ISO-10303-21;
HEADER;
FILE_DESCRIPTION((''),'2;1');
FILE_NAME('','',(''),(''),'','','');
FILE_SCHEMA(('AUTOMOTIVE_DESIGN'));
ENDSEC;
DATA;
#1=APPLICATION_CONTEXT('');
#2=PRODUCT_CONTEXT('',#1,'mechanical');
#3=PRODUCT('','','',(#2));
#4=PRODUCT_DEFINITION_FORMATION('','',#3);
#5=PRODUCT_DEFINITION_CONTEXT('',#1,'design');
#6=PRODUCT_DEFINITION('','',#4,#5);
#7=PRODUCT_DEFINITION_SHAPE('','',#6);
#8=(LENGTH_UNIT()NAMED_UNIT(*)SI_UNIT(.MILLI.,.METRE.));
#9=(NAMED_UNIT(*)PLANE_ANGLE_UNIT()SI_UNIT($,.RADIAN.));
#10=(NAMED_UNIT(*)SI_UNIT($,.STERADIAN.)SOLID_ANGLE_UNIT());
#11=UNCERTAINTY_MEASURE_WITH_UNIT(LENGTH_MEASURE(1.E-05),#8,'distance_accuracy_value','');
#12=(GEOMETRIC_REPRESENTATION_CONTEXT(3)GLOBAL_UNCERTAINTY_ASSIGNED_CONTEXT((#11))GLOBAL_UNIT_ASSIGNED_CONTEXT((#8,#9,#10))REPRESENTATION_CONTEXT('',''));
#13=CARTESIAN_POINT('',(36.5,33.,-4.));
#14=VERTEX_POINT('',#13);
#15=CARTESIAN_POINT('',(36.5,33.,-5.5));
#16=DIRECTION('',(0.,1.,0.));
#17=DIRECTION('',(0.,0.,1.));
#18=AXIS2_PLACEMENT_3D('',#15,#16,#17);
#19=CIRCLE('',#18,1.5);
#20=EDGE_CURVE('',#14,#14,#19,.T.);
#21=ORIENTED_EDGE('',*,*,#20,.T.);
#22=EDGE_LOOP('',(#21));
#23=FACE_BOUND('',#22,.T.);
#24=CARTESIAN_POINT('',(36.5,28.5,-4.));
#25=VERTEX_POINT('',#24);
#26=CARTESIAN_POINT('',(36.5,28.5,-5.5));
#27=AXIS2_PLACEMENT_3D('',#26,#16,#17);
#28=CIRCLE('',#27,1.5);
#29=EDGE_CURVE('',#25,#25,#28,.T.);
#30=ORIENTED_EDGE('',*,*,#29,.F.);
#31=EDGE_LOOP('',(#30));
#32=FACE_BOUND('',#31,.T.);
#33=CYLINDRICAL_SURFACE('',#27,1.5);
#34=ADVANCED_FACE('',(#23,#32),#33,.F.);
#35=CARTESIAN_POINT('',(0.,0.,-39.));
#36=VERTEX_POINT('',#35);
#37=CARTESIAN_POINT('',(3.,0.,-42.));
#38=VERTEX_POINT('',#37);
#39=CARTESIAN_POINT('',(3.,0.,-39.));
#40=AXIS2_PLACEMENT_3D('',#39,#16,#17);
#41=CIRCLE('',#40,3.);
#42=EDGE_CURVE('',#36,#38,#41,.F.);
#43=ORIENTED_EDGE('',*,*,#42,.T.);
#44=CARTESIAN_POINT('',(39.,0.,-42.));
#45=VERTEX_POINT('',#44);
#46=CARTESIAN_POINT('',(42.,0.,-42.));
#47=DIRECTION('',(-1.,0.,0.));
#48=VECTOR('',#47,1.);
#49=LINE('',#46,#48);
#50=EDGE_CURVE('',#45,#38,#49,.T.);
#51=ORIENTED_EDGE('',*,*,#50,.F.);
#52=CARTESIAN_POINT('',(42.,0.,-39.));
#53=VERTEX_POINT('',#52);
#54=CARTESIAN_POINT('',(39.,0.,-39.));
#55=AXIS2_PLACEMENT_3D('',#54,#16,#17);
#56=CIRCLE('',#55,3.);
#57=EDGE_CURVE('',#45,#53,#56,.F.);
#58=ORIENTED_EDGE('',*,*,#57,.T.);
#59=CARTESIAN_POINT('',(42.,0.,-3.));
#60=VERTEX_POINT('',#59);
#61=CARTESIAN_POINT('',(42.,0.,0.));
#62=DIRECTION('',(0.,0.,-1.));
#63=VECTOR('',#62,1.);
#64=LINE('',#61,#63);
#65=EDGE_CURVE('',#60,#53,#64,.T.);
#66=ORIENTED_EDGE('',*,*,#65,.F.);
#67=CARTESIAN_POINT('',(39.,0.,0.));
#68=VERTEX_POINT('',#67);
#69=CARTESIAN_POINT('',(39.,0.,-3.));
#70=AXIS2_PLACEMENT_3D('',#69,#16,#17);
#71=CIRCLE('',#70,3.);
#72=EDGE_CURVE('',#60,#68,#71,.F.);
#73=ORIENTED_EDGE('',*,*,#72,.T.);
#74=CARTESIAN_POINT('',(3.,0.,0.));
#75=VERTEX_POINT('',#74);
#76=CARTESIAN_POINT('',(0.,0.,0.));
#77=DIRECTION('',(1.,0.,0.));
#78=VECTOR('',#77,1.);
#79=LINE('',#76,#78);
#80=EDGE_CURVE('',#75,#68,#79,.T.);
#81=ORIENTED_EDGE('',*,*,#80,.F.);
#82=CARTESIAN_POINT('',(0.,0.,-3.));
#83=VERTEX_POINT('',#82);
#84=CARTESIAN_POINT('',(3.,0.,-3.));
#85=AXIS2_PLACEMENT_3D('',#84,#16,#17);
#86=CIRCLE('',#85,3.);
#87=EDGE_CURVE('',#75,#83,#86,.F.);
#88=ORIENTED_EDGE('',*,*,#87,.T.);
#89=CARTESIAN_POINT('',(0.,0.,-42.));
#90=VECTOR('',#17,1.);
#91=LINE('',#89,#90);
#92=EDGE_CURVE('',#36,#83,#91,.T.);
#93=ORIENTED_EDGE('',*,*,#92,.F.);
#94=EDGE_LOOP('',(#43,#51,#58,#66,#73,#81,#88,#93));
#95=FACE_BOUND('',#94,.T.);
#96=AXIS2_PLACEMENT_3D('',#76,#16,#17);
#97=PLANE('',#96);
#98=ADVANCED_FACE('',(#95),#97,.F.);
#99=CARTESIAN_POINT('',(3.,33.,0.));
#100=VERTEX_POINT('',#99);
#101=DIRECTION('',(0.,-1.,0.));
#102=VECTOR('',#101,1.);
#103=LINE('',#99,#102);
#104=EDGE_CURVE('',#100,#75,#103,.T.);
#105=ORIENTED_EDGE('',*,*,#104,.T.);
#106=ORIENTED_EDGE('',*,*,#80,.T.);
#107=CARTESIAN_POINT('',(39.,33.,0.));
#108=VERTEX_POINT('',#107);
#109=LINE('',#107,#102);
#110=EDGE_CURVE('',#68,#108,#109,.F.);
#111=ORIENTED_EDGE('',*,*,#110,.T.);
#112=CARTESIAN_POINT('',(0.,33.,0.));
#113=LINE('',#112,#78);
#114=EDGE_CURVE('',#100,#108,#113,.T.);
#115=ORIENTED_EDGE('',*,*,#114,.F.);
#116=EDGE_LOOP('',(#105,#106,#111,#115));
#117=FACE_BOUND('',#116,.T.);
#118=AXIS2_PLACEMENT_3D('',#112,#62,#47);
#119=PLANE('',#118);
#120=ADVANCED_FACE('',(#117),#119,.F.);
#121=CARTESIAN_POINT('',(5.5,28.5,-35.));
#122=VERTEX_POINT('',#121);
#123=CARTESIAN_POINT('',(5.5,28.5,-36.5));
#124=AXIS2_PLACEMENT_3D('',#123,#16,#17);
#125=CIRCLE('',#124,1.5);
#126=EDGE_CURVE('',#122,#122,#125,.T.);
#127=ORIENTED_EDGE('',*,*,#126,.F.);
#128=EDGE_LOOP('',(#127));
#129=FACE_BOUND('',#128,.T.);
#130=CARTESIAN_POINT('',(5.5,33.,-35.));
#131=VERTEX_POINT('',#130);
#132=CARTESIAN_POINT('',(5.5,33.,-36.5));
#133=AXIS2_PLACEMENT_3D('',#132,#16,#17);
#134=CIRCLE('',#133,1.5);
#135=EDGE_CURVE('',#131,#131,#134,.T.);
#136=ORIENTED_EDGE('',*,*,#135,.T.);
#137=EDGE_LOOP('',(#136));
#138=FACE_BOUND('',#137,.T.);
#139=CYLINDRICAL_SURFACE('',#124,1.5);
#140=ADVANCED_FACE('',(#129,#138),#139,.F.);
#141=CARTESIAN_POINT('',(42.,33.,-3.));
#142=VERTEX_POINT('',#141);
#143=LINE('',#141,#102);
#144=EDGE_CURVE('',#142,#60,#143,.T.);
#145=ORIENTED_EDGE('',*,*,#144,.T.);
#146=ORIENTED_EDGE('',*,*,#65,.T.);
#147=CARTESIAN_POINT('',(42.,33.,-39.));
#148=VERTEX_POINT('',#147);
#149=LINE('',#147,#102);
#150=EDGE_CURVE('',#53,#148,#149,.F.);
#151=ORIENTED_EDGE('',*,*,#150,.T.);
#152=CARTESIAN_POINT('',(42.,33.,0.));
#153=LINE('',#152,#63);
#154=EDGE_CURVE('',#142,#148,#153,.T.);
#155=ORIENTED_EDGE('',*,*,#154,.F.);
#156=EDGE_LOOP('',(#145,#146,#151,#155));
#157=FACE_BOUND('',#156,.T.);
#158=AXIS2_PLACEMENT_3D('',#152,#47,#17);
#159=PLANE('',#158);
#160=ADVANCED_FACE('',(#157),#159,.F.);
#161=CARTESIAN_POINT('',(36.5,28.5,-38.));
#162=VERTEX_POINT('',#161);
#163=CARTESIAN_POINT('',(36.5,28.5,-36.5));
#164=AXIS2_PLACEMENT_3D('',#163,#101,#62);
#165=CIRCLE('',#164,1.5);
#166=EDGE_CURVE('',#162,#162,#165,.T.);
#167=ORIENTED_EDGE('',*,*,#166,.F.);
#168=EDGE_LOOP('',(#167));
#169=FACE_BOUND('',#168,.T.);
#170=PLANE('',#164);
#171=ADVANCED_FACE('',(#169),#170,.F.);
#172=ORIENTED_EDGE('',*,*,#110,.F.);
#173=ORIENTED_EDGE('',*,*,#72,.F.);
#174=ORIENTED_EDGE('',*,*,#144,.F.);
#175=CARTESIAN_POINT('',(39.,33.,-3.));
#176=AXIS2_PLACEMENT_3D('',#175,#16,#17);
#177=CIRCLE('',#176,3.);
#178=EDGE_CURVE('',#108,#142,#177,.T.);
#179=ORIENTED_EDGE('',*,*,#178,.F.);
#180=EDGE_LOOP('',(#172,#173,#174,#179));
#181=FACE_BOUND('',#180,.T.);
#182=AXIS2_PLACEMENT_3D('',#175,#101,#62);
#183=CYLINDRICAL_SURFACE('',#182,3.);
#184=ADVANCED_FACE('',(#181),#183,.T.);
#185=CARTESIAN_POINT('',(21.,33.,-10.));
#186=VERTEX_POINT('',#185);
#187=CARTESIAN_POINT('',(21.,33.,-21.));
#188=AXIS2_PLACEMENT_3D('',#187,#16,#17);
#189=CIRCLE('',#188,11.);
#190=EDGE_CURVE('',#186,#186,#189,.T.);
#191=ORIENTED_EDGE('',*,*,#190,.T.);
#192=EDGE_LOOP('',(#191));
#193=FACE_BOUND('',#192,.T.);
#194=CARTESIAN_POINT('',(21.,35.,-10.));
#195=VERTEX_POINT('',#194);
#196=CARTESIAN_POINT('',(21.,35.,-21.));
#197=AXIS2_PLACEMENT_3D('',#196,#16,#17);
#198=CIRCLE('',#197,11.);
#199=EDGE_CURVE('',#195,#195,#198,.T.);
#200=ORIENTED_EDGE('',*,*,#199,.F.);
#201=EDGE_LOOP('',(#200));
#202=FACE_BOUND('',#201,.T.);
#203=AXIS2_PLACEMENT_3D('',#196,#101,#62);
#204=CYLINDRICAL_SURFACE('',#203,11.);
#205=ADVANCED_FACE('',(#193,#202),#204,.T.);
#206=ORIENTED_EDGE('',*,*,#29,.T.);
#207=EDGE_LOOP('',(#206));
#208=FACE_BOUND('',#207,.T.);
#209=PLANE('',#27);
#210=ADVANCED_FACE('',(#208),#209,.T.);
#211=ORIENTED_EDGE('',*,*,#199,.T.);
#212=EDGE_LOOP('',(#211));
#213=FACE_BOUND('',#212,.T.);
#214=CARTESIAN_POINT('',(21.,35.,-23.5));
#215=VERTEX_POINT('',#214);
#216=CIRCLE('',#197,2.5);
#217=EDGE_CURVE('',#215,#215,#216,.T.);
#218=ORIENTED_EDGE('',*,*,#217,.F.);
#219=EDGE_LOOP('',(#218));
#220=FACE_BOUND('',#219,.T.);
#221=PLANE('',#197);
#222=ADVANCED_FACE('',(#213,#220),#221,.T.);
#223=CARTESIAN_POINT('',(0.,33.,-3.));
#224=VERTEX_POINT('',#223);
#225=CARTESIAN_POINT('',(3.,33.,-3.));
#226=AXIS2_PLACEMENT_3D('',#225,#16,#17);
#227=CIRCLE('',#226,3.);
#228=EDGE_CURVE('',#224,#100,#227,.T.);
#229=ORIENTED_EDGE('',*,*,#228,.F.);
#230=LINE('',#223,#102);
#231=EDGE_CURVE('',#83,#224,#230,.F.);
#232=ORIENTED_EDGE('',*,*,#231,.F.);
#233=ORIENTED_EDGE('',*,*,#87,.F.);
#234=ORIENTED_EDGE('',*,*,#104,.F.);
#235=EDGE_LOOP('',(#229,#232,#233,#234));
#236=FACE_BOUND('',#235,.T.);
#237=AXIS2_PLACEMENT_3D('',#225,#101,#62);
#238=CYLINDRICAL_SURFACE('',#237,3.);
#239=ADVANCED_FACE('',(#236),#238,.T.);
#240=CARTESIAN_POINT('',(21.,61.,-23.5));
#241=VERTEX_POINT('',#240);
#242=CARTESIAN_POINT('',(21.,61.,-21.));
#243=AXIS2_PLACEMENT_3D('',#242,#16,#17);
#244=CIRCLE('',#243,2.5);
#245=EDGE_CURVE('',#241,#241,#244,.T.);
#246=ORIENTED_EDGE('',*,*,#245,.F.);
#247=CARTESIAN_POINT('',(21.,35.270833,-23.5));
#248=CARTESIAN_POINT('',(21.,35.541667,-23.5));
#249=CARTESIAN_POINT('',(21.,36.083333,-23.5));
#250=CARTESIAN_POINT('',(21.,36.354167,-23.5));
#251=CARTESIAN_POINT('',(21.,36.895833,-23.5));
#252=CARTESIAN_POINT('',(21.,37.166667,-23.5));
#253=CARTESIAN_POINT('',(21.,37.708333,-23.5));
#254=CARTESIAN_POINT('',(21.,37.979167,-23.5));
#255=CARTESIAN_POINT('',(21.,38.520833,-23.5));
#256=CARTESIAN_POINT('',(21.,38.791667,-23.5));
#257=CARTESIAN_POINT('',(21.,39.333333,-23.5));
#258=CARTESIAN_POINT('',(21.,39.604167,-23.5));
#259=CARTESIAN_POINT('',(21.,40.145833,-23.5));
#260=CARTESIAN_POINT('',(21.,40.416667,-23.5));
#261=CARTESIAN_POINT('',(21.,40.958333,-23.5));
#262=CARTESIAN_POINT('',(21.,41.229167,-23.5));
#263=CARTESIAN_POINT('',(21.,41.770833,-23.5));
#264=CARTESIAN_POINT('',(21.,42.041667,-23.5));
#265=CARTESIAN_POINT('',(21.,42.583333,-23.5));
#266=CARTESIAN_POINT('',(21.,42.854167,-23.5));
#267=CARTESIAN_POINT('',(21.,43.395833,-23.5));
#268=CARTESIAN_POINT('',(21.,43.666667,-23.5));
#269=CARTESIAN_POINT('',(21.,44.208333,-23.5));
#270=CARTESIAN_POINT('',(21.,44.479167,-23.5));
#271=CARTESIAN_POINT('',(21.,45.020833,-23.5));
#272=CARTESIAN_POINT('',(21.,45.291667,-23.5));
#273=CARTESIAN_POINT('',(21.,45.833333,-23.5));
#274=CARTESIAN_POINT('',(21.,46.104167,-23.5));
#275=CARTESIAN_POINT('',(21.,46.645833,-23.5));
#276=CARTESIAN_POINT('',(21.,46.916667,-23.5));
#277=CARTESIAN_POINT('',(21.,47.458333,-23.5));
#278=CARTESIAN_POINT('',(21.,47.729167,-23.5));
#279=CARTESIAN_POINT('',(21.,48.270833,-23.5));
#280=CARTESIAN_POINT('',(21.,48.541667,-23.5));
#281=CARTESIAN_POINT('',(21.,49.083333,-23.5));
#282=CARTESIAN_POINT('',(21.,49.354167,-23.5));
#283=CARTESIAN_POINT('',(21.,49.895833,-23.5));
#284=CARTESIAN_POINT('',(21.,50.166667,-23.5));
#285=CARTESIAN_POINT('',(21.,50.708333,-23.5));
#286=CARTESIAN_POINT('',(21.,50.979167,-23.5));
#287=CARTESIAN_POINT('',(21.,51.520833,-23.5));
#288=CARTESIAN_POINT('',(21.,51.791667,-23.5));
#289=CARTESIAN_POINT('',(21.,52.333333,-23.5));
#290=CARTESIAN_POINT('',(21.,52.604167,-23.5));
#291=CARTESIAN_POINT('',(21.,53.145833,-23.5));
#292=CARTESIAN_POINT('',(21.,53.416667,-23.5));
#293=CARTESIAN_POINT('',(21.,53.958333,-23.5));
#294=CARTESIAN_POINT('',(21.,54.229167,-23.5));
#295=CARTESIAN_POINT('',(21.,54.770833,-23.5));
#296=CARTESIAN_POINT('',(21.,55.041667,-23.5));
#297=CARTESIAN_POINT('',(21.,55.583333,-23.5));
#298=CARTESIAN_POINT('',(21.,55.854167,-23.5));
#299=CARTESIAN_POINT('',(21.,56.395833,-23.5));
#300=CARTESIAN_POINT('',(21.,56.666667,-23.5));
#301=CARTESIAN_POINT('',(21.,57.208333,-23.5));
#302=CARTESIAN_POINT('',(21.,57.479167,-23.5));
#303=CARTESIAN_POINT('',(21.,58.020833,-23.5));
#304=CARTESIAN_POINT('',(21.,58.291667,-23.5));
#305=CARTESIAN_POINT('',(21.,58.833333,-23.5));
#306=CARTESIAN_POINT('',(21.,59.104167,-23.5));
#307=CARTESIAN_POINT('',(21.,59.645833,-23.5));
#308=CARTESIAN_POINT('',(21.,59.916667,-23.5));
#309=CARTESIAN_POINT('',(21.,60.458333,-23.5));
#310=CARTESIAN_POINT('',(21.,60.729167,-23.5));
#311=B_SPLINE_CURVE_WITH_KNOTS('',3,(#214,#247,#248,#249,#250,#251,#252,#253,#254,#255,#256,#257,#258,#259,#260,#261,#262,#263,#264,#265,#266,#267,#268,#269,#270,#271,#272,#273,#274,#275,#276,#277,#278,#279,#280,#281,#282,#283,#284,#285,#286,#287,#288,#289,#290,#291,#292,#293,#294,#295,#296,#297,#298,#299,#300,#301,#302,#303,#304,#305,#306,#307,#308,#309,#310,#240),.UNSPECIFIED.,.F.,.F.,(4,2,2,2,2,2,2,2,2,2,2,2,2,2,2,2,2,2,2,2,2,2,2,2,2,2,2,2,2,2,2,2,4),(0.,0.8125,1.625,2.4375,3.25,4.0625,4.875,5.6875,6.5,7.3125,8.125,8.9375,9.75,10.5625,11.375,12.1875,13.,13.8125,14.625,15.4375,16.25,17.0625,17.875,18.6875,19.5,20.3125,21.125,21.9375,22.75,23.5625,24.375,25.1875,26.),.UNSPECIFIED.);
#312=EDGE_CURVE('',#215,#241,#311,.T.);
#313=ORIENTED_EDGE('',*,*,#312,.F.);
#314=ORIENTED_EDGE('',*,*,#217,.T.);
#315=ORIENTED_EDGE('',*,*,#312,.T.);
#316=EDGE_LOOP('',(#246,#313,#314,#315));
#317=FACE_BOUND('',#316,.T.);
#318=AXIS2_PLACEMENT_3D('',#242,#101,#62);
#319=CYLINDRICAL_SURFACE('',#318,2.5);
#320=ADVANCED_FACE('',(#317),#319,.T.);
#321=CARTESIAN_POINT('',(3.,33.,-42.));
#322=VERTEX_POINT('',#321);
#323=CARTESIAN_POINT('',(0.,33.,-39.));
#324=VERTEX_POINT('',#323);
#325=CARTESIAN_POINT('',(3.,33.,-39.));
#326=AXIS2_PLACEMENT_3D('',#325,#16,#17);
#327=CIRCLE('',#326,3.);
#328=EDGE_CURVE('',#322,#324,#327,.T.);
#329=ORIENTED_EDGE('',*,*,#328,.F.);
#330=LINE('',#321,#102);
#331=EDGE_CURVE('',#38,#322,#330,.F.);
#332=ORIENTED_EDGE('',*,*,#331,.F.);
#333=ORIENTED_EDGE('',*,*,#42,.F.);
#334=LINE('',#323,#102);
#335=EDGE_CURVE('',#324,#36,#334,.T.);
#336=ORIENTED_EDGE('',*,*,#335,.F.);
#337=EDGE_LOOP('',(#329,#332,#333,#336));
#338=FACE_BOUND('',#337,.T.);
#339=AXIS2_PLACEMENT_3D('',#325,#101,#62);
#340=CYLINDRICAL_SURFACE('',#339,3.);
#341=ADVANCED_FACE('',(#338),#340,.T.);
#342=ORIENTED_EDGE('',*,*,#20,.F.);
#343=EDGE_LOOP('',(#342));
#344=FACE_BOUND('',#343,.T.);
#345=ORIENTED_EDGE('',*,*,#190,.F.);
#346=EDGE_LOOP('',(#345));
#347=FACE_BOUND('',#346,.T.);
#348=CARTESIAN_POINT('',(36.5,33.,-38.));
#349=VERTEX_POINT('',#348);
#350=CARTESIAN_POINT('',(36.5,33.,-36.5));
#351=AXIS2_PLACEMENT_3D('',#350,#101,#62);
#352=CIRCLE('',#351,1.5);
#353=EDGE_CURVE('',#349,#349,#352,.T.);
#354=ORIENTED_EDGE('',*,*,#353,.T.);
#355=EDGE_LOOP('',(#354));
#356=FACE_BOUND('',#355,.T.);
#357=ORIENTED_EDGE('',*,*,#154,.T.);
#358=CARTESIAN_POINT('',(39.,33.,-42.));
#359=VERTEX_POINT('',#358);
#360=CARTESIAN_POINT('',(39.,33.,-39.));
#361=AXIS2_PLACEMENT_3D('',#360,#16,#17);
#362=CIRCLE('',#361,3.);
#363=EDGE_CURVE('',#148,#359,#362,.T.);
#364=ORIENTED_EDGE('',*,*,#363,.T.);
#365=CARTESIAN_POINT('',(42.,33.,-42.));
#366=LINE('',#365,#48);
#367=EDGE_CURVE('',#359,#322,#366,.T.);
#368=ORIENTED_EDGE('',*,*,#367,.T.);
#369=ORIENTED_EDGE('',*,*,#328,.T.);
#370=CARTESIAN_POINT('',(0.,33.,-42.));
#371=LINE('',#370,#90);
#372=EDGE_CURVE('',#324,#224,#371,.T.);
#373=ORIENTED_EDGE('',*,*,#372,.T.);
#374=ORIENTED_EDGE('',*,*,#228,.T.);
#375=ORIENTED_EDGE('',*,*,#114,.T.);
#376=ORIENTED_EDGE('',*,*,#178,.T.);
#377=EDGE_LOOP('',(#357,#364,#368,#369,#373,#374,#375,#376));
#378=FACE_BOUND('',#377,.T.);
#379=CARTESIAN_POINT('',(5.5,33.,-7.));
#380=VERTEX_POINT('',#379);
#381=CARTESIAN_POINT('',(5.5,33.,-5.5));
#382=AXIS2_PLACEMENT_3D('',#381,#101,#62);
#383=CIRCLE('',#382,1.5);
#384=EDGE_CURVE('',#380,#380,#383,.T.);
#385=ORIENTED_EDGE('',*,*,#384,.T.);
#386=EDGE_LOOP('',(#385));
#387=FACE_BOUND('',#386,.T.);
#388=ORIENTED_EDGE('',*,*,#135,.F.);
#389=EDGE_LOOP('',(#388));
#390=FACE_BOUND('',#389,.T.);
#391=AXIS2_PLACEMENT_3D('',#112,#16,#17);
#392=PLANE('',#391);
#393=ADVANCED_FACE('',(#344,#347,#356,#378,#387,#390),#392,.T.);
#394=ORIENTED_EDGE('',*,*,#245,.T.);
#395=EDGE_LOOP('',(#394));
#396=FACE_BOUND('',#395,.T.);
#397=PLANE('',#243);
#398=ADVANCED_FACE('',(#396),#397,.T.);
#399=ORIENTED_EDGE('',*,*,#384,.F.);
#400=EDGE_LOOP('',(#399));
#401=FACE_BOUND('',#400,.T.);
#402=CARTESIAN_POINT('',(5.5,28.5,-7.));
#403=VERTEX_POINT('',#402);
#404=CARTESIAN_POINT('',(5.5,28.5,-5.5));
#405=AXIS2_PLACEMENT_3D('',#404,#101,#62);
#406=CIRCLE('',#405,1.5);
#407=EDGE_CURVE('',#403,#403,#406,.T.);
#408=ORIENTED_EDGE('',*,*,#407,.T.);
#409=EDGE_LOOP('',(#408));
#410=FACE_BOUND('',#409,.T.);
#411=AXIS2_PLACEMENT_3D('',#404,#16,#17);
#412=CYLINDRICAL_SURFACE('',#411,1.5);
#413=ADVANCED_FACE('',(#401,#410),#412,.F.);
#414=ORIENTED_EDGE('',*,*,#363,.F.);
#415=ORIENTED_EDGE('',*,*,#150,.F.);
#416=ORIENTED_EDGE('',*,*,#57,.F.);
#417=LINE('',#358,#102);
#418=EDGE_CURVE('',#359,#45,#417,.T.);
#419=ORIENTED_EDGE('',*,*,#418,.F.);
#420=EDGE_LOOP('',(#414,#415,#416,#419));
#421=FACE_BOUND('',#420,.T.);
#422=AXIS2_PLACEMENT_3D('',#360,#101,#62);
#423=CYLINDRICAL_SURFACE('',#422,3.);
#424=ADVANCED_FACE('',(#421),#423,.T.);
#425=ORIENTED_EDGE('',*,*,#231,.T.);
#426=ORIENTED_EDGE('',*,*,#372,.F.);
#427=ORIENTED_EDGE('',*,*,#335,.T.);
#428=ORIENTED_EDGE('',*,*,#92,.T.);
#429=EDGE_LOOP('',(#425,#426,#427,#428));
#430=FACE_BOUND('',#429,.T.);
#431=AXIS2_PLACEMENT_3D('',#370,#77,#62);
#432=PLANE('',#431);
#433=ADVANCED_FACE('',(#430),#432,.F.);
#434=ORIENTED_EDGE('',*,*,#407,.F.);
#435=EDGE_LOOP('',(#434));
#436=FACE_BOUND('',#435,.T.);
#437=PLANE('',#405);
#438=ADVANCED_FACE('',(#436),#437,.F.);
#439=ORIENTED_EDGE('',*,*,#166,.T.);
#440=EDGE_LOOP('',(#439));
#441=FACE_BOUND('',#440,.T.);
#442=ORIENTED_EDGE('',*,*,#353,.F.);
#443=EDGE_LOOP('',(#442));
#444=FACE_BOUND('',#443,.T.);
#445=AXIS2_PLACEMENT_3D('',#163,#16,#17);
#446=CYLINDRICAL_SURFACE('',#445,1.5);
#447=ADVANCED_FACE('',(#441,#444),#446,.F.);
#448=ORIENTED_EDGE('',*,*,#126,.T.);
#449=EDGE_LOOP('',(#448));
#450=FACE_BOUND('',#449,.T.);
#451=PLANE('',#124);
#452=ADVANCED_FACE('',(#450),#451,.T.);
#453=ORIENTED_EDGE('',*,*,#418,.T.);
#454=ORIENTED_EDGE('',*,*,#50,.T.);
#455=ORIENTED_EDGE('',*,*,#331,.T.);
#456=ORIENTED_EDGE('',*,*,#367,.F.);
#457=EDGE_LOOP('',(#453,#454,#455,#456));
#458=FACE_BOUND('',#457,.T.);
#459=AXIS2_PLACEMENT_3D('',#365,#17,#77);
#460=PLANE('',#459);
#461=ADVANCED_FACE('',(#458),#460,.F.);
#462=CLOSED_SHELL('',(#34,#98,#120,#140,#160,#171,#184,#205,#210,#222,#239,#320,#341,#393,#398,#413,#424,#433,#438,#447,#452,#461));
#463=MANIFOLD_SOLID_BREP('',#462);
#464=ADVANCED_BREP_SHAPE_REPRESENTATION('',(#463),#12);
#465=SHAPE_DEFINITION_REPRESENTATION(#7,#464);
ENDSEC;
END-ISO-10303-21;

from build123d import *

# Parameters (mm, degrees)
SKETCH1_W           = 42
SKETCH1_H           = 42
BOSS_EXTRUDE1_DEPTH = 33
SKETCH2_R           = 2.5
BOSS_EXTRUDE2_DEPTH = 28
FILLET1_R           = 3
SKETCH3_R           = 1.5
CUT_EXTRUDE1_DEPTH  = 4.5
SKETCH4_R           = 11
BOSS_EXTRUDE3_DEPTH = 2


with BuildPart() as part:
    # Sketch1 → Boss-Extrude1 (new body)
    with BuildSketch(Plane(origin=(0, 0, 0), x_dir=(1, 0, 0), z_dir=(0, 1, 0))):
        with Locations((21, 21)):
            Rectangle(SKETCH1_W, SKETCH1_H)
    extrude(amount=BOSS_EXTRUDE1_DEPTH)

    # Sketch2 → Boss-Extrude2 (add)
    with BuildSketch(Plane(origin=(0, 33, 0), x_dir=(1, 0, 0), z_dir=(0, 1, 0))):
        with Locations(Location((21, 21, 0), (0, 0, 90))):
            Circle(SKETCH2_R)
    extrude(amount=BOSS_EXTRUDE2_DEPTH)

    # Fillet1
    fillet1_edges = [part.edges().sort_by_distance(p)[0] for p in [
        (42, 16.5, -42),
        (42, 16.5, 0),
        (0, 16.5, 0),
        (0, 16.5, -42),
    ]]
    fillet(fillet1_edges, radius=FILLET1_R)

    # Sketch3 → Cut-Extrude1 (cut)
    with BuildSketch(Plane(origin=(0, 33, 0), x_dir=(1, 0, 0), z_dir=(0, 1, 0))):
        with Locations(Location((5.5, 36.5, 0), (0, 0, 270))):
            Circle(SKETCH3_R)
        with Locations(Location((5.5, 5.5, 0), (0, 0, 90))):
            Circle(SKETCH3_R)
        with Locations(Location((36.5, 5.5, 0), (0, 0, 270))):
            Circle(SKETCH3_R)
        with Locations(Location((36.5, 36.5, 0), (0, 0, 90))):
            Circle(SKETCH3_R)
    extrude(amount=-CUT_EXTRUDE1_DEPTH, mode=Mode.SUBTRACT)

    # Sketch4 → Boss-Extrude3 (add)
    with BuildSketch(Plane(origin=(0, 33, 0), x_dir=(1, 0, 0), z_dir=(0, 1, 0))):
        with Locations(Location((21, 21, 0), (0, 0, 270))):
            Circle(SKETCH4_R)
    extrude(amount=BOSS_EXTRUDE3_DEPTH)


solid = part.part
